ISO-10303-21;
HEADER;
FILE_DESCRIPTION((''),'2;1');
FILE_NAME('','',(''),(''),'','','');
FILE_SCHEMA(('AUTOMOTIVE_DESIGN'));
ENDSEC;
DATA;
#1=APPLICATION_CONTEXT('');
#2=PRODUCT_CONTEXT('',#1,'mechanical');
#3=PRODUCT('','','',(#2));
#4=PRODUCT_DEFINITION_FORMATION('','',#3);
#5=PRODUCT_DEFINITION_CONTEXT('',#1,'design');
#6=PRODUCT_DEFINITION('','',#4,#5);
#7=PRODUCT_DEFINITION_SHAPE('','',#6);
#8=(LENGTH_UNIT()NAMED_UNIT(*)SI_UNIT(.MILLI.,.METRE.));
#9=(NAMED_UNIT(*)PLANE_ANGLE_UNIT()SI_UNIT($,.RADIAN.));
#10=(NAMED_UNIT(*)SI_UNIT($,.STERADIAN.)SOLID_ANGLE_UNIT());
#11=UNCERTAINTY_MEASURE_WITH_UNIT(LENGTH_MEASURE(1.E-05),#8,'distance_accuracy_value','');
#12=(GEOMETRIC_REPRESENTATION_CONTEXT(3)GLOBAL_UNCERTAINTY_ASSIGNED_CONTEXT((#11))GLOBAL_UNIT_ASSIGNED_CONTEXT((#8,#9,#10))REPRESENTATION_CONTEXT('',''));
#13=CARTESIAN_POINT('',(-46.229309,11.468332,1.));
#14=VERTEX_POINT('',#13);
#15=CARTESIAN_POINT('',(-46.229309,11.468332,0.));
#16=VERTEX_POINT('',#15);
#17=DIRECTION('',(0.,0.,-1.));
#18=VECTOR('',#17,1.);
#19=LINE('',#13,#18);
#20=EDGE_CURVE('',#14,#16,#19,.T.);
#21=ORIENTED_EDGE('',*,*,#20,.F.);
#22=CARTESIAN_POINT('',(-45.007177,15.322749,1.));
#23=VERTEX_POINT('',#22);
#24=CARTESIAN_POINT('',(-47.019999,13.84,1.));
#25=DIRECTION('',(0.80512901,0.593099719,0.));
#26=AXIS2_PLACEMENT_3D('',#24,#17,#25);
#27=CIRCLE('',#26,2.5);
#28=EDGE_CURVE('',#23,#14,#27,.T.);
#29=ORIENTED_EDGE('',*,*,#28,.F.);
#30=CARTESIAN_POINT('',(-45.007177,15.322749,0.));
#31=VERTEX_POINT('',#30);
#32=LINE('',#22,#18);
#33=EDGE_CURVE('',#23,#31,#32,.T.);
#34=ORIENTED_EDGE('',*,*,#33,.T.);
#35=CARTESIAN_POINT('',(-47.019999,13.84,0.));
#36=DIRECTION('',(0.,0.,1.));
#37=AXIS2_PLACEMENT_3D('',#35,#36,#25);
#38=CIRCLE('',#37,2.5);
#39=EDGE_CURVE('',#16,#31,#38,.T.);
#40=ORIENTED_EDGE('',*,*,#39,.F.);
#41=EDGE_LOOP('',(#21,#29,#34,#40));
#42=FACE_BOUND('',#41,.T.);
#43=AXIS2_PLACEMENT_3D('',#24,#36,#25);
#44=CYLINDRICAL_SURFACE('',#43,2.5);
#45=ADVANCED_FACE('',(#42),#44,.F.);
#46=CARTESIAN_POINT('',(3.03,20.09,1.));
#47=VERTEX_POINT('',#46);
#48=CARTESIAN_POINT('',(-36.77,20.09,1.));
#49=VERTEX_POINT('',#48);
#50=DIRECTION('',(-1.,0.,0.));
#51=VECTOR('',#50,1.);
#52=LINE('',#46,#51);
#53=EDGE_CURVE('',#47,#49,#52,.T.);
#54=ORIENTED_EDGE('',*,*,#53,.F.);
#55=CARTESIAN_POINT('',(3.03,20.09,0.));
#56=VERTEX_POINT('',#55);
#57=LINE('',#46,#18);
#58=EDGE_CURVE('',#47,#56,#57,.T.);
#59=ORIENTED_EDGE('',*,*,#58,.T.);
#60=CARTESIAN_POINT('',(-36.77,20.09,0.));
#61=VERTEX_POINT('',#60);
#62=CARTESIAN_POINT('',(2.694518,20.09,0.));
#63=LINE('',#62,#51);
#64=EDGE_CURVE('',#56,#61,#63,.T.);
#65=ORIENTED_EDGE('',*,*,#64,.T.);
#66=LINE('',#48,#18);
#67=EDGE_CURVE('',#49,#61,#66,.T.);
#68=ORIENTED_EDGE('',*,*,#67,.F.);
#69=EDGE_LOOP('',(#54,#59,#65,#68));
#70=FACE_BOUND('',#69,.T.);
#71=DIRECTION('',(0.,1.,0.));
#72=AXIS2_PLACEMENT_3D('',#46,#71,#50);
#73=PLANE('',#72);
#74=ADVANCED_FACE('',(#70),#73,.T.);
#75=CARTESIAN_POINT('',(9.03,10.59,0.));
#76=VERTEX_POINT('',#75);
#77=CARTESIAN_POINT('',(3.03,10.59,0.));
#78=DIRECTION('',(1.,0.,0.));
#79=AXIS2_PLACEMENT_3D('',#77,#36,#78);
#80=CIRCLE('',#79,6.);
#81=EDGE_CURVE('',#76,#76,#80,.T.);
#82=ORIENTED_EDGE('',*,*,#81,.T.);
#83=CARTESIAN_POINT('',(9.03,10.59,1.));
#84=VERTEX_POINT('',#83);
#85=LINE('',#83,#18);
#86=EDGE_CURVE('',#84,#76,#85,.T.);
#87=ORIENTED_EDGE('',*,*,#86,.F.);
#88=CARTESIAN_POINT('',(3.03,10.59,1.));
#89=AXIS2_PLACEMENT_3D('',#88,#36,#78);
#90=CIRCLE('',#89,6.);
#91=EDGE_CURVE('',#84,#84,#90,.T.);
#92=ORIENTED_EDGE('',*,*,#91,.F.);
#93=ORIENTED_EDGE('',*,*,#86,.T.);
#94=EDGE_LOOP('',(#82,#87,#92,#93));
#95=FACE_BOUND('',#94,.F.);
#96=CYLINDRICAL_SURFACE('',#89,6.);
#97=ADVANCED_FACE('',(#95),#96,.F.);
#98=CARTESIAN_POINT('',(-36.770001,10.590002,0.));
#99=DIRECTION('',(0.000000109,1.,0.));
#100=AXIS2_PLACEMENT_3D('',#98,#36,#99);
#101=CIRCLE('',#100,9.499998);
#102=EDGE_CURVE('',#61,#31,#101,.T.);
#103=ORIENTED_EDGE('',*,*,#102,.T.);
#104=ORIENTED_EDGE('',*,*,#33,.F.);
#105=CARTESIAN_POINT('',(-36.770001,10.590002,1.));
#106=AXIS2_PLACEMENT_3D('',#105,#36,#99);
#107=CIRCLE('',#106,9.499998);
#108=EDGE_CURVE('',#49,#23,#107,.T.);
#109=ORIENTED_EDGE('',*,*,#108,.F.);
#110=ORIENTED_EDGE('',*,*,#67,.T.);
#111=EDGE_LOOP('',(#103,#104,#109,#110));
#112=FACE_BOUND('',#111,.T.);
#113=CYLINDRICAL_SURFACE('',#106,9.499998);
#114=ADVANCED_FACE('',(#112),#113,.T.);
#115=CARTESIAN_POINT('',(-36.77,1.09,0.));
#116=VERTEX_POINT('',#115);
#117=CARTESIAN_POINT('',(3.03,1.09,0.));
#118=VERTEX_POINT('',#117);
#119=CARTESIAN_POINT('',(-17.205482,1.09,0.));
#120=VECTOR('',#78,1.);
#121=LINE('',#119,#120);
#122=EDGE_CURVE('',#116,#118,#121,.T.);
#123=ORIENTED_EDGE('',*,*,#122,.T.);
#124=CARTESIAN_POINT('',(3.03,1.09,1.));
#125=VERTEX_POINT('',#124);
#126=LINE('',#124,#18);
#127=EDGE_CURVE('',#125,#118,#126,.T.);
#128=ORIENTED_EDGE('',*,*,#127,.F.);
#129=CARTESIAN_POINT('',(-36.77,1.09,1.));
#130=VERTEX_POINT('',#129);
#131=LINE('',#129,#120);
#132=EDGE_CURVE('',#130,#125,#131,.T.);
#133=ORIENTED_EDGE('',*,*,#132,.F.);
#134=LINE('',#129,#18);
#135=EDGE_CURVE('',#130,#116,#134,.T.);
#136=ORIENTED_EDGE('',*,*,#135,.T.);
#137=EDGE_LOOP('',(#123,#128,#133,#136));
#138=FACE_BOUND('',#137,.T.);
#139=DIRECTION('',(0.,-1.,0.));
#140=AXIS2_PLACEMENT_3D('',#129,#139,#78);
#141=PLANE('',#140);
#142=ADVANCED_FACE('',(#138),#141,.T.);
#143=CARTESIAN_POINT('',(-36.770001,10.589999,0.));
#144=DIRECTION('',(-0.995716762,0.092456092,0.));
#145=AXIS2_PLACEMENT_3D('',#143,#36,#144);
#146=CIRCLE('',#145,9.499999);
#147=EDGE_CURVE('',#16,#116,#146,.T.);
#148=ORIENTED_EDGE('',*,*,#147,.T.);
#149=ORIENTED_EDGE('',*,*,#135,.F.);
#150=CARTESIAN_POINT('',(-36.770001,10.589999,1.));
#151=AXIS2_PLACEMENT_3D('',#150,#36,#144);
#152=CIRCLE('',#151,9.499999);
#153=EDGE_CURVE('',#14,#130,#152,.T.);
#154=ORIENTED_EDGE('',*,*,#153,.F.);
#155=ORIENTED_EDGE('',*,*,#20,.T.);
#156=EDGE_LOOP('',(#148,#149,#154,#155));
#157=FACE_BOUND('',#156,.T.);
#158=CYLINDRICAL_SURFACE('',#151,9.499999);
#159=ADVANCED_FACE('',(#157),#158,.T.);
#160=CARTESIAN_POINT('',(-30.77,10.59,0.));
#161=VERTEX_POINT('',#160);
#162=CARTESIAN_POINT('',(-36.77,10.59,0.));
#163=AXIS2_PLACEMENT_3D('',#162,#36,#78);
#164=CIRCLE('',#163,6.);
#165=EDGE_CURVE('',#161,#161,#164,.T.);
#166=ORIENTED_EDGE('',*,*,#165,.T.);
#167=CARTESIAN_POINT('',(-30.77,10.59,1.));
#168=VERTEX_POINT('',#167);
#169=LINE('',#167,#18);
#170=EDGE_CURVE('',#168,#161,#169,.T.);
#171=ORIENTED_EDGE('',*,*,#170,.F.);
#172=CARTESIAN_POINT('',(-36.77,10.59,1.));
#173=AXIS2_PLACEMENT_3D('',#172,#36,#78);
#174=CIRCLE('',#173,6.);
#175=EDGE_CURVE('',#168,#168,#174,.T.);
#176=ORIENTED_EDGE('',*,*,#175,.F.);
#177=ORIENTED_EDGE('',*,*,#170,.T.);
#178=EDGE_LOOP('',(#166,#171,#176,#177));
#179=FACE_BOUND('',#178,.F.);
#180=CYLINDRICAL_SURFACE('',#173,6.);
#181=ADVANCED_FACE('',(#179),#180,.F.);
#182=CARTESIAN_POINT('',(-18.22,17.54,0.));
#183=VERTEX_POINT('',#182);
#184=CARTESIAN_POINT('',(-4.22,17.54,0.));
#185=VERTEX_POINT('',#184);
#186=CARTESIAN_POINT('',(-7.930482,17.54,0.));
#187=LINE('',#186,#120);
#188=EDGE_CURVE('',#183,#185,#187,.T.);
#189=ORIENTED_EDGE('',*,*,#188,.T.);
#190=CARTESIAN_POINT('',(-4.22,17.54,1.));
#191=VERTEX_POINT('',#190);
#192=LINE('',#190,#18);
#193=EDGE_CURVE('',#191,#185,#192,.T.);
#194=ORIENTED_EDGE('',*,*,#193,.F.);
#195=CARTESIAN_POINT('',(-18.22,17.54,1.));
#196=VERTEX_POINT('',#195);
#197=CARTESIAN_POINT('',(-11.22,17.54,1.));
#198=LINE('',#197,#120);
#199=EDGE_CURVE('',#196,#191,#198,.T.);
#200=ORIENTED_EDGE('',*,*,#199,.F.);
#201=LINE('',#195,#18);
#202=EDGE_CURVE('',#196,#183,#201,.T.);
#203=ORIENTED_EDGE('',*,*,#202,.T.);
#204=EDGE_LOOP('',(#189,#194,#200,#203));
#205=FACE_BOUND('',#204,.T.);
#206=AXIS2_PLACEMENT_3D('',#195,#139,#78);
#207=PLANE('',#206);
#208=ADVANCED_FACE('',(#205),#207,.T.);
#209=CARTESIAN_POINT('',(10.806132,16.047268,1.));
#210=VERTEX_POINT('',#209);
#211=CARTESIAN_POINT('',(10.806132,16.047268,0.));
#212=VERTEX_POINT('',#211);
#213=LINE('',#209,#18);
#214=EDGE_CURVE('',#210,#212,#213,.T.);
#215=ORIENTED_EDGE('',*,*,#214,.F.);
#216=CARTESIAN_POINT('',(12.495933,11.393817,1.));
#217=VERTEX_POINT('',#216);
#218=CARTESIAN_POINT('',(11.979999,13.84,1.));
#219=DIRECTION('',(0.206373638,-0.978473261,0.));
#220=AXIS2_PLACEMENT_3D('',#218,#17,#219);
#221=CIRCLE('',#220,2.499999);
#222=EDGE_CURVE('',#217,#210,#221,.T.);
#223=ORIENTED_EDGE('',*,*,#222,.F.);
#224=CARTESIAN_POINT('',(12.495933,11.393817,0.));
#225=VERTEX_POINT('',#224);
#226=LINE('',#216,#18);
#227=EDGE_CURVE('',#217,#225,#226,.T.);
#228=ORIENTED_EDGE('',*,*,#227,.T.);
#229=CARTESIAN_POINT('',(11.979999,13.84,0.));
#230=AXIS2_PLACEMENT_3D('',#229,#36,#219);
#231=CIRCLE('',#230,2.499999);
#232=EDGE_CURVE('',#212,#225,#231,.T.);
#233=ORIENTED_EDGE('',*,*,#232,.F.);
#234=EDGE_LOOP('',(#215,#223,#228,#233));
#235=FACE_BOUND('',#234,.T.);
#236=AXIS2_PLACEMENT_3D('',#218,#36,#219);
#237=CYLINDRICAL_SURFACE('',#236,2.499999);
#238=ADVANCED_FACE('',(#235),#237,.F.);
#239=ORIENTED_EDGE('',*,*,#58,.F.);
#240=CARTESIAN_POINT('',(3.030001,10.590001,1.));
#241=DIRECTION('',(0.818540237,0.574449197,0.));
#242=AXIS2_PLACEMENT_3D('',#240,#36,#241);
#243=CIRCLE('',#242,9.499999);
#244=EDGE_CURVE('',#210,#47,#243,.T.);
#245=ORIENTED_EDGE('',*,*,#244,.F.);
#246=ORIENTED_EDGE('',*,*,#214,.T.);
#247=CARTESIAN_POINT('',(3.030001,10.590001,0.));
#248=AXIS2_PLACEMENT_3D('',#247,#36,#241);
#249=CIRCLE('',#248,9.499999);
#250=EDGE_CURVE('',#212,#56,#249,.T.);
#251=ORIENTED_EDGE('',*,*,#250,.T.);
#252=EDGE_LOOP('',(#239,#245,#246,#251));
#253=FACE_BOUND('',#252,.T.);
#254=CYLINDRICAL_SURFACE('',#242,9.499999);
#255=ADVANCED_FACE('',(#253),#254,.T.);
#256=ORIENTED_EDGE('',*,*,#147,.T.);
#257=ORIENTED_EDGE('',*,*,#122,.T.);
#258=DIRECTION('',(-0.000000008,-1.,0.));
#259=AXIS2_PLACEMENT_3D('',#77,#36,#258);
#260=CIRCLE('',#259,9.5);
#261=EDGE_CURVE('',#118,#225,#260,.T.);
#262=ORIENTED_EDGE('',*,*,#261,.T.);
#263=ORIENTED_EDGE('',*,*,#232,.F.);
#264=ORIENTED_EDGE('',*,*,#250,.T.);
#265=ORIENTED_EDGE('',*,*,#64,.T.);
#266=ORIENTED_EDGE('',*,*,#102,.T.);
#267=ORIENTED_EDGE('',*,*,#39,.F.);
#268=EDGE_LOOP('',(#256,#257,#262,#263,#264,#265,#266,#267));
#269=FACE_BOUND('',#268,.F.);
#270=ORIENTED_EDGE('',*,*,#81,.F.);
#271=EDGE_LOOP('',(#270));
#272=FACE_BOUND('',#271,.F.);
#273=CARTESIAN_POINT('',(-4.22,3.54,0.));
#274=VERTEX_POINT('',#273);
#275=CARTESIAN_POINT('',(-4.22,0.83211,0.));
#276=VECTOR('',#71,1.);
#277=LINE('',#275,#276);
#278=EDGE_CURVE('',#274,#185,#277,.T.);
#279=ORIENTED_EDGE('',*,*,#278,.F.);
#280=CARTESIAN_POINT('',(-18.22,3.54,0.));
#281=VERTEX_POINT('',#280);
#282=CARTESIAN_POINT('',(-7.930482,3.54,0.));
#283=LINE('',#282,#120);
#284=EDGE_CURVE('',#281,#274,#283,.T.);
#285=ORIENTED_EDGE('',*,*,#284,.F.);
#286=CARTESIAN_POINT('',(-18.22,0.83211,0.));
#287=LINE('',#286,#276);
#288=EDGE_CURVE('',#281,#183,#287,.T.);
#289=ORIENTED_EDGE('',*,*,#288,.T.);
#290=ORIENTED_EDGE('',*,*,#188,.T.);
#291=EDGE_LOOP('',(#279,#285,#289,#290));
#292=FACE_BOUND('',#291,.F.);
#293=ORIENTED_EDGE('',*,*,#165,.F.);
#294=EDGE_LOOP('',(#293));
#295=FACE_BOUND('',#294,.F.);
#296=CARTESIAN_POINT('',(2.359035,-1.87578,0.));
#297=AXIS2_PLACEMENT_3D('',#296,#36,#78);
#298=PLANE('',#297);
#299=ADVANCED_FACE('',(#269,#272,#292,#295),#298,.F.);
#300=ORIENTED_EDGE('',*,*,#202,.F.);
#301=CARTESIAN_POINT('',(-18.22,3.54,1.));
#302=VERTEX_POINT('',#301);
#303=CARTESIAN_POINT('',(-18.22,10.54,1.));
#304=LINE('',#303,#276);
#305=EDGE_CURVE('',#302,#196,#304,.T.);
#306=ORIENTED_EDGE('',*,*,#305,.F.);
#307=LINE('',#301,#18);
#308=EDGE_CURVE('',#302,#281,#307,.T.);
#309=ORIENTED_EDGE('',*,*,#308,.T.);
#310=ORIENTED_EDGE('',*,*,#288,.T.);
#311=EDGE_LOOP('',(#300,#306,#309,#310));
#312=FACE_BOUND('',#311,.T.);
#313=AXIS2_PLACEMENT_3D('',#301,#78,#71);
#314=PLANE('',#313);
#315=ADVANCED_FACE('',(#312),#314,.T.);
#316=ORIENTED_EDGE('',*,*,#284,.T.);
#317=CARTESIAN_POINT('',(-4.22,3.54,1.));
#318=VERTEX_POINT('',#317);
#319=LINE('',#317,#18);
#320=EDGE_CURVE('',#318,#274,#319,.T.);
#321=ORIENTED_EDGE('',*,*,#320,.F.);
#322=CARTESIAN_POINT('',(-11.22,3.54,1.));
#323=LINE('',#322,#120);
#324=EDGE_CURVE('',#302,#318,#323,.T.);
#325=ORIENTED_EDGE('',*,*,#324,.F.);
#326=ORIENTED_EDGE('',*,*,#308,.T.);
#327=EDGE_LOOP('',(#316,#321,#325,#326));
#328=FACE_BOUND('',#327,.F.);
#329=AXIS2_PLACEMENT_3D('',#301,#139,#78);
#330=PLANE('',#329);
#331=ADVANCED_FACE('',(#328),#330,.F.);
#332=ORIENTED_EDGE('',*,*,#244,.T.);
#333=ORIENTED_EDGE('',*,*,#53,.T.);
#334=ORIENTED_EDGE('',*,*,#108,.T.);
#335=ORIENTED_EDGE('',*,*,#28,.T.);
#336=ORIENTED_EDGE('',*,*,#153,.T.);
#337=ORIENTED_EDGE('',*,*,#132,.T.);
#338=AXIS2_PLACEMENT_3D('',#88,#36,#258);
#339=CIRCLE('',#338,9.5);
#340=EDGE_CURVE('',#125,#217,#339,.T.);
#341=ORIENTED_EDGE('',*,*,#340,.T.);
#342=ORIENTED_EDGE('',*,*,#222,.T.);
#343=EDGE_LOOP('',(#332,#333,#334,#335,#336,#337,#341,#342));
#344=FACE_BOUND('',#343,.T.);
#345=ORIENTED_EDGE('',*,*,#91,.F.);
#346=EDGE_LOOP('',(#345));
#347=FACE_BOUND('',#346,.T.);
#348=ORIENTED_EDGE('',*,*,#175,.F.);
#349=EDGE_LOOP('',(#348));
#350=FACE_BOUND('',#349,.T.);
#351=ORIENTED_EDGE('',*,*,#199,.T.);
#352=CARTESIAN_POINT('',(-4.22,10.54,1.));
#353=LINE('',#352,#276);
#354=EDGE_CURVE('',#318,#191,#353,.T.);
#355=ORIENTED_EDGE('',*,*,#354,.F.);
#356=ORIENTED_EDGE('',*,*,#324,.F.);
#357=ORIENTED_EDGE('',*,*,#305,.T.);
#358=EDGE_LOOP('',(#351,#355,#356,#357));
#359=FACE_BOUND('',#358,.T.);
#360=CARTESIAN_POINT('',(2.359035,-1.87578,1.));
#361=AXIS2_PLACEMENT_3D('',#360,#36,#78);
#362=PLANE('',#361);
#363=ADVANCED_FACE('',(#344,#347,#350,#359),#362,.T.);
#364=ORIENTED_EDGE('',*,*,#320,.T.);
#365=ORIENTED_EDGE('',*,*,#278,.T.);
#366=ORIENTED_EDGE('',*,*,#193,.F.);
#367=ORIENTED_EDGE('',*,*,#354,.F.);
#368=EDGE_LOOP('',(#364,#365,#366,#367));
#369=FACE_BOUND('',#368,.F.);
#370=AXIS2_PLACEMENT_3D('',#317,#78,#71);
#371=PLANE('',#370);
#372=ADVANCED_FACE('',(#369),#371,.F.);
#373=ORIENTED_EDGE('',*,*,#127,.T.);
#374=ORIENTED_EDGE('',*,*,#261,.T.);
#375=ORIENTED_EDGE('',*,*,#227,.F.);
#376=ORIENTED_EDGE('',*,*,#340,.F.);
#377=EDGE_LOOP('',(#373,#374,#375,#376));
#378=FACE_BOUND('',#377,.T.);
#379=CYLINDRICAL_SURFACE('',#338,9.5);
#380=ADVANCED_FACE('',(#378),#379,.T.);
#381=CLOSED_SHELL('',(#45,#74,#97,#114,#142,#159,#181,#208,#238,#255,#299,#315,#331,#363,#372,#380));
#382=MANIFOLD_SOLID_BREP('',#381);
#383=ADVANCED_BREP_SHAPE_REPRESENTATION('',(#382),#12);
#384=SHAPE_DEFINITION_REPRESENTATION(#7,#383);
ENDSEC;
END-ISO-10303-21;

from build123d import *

# Parameters (mm, degrees)
F0_R     = 1.5875
F1_DEPTH = 1
F2_R     = 1.625
F2_R_2   = 2
F2_R_3   = 6
F2_W     = 14
F2_H     = 14
F2_W_2   = 23.3
F2_H_2   = 14.8
F2_W_3   = 13
F2_H_3   = 9.9
F3_DEPTH = 1.001
F7_DEPTH = 1.001


with BuildPart() as f1:
    # F0 (on Top) → F1 (new body)
    with BuildSketch(Plane.XY):
        with BuildLine():
            Line((-53.6, -21.2), (53.6, -21.2))
            ThreePointArc((53.6, -21.2), (55.014214, -20.614214), (55.6, -19.2))
            Line((55.6, -19.2), (55.6, -10.9))
            ThreePointArc((55.6, -10.9), (55.746447, -10.546447), (56.1, -10.4))
            Line((56.1, -10.4), (61.2, -10.4))
            ThreePointArc((61.2, -10.4), (64.278275, -9.506617), (66.4, -7.104078))
            Line((66.4, -7.104078), (66.4, -2.195922))
            ThreePointArc((66.4, -2.195922), (64.278275, 0.206617), (61.2, 1.1))
            Line((61.2, 1.1), (56.1, 1.1))
            ThreePointArc((56.1, 1.1), (55.746447, 1.246447), (55.6, 1.6))
            Line((55.6, 1.6), (55.6, 9.9))
            ThreePointArc((55.6, 9.9), (55.014214, 11.314214), (53.6, 11.9))
            Line((53.6, 11.9), (28.895582, 11.9))
            ThreePointArc((28.895582, 11.9), (25.215973, 12.358319), (21.761222, 13.70527))
            Line((21.761222, 13.70527), (11.238778, 19.39473))
            ThreePointArc((11.238778, 19.39473), (7.784027, 20.741681), (4.104418, 21.2))
            Line((4.104418, 21.2), (-50.6, 21.2))
            ThreePointArc((-50.6, 21.2), (-54.135534, 19.735534), (-55.6, 16.2))
            Line((-55.6, 16.2), (-55.6, -19.2))
            ThreePointArc((-55.6, -19.2), (-55.014214, -20.614214), (-53.6, -21.2))
        make_face()
        with Locations((-52.1, -17.7)):
            Circle(F0_R, mode=Mode.SUBTRACT)
        with Locations((61.2, -4.65)):
            Circle(F0_R, mode=Mode.SUBTRACT)
        with Locations((-52.1, 17.7)):
            Circle(F0_R, mode=Mode.SUBTRACT)
    extrude(amount=F1_DEPTH)

    # F2 (on face) → F3 (cut, through all)
    with BuildSketch(Plane.XY.offset(1)):
        with Locations((-47.02, 13.84)):
            Circle(F2_R)
        with Locations((-47.02, -15.16)):
            Circle(F2_R)
        with Locations((-40.02, -12.66)):
            Circle(F2_R_2)
        with Locations((-32.72, -12.66)):
            Circle(F2_R_2)
        with Locations((-36.77, 10.59)):
            Circle(F2_R_3)
        with Locations((3.03, 10.59)):
            Circle(F2_R_3)
        with Locations((-11.22, 10.54)):
            Rectangle(F2_W, F2_H)
        with Locations((-18.02, -10.86)):
            Rectangle(F2_W_2, F2_H_2)
        with Locations((-2.32, -12.66)):
            Circle(F2_R_2)
        with Locations((4.98, -12.66)):
            Circle(F2_R_2)
        with Locations((11.98, -15.16)):
            Circle(F2_R)
        with Locations((11.98, 13.84)):
            Circle(F2_R)
        with BuildLine():
            Line((37.656189, -4.65), (48.356189, -4.65))
            ThreePointArc((48.356189, -4.65), (43.006189, 0.7), (37.656189, -4.65))
        make_face()
        with Locations((25.482554, -9.6)):
            Rectangle(F2_W_3, F2_H_3)
        with Locations((25.482554, 0.3)):
            Rectangle(F2_W_3, F2_H_3)
        with BuildLine():
            ThreePointArc((37.656189, -4.65), (43.006189, -10), (48.356189, -4.65))
            Line((48.356189, -4.65), (37.656189, -4.65))
        make_face()
    extrude(amount=-F3_DEPTH, mode=Mode.SUBTRACT)

    # F6 (on face) → F7 (intersect, through all)
    with BuildSketch(Plane.XY.offset(1)):
        with BuildLine():
            Line((3.03, 20.09), (-36.77, 20.09))
            ThreePointArc((-36.77, 20.09), (-41.528618, 18.81226), (-45.007177, 15.322749))
            ThreePointArc((-45.007177, 15.322749), (-44.636923, 13.08439), (-46.229309, 11.468332))
            ThreePointArc((-46.229309, 11.468332), (-43.791188, 4.190553), (-36.77, 1.09))
            Line((-36.77, 1.09), (3.03, 1.09))
            ThreePointArc((3.03, 1.09), (10.025937, 4.162958), (12.495933, 11.393817))
            ThreePointArc((12.495933, 11.393817), (9.630133, 12.986696), (10.806132, 16.047268))
            ThreePointArc((10.806132, 16.047268), (7.41212, 19.01894), (3.03, 20.09))
        make_face()
    extrude(amount=-F7_DEPTH, mode=Mode.INTERSECT)


solid = f1.part
